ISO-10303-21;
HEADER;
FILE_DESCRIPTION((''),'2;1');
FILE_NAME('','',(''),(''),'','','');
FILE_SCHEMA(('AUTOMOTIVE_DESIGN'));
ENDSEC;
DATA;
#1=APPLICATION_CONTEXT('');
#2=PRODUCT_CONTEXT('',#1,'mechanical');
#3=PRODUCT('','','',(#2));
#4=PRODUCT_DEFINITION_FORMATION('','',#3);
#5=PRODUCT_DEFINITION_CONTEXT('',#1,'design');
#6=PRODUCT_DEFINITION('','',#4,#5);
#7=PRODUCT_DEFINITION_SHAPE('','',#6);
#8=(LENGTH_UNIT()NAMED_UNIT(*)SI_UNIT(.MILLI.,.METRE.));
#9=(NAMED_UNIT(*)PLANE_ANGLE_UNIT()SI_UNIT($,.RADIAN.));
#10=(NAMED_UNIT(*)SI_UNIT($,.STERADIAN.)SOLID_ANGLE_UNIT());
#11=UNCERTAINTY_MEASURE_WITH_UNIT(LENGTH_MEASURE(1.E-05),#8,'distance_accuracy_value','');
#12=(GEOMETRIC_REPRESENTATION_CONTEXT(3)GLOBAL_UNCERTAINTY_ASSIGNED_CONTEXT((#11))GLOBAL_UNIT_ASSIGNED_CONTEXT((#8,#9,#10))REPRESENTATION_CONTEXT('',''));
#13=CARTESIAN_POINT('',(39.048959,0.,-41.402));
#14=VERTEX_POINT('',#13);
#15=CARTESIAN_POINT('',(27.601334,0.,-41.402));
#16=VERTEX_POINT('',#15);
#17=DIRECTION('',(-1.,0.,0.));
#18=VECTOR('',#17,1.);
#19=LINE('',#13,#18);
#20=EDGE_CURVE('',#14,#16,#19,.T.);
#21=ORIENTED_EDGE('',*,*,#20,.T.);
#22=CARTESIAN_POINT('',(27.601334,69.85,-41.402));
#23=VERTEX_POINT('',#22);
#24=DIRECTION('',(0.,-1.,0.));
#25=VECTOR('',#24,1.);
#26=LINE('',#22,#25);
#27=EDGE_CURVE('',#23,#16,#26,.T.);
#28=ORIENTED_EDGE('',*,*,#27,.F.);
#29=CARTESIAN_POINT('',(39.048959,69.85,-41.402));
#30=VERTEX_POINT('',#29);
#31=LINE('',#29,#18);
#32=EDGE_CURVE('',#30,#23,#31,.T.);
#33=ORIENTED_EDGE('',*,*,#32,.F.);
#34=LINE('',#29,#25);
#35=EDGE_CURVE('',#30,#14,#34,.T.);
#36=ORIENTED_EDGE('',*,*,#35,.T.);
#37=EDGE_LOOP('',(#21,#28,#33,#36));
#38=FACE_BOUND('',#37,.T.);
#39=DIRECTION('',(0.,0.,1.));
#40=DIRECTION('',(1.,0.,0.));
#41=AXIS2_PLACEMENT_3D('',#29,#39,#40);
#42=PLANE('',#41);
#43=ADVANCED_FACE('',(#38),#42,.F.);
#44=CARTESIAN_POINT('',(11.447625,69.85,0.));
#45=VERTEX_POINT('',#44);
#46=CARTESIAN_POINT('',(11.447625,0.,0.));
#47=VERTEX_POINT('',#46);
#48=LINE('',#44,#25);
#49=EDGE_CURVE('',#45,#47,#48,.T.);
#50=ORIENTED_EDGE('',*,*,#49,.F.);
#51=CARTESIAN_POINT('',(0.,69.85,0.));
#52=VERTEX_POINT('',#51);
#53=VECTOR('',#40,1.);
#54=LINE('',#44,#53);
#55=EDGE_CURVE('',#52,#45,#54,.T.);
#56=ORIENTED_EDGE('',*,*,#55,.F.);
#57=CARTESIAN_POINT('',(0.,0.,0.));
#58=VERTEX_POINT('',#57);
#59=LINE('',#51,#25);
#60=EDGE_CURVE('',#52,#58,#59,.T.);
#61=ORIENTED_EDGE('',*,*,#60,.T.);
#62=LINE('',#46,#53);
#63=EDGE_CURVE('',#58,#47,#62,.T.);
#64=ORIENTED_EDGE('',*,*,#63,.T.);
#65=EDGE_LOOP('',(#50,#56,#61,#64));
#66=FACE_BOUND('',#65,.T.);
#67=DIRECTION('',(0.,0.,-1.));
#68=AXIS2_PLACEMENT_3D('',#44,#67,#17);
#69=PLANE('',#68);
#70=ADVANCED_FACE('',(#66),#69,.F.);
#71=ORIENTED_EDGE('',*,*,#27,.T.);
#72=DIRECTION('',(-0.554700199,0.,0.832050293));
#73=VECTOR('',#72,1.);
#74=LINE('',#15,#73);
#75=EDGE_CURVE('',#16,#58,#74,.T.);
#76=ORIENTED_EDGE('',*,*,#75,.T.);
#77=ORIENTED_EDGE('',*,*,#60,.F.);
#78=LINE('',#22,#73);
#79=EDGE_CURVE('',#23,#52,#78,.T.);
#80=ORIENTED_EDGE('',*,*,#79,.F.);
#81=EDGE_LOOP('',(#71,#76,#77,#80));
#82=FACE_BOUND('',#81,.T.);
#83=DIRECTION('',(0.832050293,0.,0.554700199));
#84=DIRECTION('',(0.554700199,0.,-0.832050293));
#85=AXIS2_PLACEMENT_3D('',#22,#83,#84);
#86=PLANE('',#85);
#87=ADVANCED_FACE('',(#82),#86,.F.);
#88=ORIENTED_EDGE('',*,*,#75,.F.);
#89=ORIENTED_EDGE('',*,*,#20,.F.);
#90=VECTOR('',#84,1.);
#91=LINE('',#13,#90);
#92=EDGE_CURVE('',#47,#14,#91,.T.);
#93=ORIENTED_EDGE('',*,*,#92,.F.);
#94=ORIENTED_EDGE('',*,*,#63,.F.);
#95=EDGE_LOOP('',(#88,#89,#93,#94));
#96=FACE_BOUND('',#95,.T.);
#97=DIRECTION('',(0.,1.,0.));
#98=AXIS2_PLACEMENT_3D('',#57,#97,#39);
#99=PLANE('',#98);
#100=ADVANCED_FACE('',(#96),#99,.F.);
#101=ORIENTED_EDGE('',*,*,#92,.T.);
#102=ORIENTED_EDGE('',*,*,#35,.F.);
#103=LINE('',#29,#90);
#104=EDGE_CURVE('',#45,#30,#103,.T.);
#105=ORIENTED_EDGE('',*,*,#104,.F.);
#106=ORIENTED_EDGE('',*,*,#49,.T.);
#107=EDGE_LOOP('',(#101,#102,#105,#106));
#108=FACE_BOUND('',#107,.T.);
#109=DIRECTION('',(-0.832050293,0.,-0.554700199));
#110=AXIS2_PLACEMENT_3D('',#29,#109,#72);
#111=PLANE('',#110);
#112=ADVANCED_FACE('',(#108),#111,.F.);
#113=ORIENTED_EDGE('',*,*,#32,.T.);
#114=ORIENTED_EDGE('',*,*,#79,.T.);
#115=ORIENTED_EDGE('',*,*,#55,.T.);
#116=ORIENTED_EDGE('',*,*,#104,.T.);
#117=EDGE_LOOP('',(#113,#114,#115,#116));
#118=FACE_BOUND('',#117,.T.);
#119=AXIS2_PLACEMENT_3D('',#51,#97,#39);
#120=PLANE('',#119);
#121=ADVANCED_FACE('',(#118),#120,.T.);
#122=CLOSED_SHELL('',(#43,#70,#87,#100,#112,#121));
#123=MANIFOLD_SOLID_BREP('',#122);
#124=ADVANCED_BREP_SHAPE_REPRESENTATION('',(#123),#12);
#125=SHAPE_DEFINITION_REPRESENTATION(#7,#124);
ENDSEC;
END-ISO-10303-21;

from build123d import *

# Parameters (mm, degrees)
BOSS_EXTRUDE1_DEPTH = 69.85


with BuildPart() as part:
    # Sketch1 → Boss-Extrude1 (new body)
    with BuildSketch(Plane(origin=(0, 0, 0), x_dir=(1, 0, 0), z_dir=(0, 1, 0))):
        Polygon((39.04895885, 41.402), (11.447625324, 0), (0, 0), (27.601333526, 41.402), align=None)
    extrude(amount=BOSS_EXTRUDE1_DEPTH)


solid = part.part
